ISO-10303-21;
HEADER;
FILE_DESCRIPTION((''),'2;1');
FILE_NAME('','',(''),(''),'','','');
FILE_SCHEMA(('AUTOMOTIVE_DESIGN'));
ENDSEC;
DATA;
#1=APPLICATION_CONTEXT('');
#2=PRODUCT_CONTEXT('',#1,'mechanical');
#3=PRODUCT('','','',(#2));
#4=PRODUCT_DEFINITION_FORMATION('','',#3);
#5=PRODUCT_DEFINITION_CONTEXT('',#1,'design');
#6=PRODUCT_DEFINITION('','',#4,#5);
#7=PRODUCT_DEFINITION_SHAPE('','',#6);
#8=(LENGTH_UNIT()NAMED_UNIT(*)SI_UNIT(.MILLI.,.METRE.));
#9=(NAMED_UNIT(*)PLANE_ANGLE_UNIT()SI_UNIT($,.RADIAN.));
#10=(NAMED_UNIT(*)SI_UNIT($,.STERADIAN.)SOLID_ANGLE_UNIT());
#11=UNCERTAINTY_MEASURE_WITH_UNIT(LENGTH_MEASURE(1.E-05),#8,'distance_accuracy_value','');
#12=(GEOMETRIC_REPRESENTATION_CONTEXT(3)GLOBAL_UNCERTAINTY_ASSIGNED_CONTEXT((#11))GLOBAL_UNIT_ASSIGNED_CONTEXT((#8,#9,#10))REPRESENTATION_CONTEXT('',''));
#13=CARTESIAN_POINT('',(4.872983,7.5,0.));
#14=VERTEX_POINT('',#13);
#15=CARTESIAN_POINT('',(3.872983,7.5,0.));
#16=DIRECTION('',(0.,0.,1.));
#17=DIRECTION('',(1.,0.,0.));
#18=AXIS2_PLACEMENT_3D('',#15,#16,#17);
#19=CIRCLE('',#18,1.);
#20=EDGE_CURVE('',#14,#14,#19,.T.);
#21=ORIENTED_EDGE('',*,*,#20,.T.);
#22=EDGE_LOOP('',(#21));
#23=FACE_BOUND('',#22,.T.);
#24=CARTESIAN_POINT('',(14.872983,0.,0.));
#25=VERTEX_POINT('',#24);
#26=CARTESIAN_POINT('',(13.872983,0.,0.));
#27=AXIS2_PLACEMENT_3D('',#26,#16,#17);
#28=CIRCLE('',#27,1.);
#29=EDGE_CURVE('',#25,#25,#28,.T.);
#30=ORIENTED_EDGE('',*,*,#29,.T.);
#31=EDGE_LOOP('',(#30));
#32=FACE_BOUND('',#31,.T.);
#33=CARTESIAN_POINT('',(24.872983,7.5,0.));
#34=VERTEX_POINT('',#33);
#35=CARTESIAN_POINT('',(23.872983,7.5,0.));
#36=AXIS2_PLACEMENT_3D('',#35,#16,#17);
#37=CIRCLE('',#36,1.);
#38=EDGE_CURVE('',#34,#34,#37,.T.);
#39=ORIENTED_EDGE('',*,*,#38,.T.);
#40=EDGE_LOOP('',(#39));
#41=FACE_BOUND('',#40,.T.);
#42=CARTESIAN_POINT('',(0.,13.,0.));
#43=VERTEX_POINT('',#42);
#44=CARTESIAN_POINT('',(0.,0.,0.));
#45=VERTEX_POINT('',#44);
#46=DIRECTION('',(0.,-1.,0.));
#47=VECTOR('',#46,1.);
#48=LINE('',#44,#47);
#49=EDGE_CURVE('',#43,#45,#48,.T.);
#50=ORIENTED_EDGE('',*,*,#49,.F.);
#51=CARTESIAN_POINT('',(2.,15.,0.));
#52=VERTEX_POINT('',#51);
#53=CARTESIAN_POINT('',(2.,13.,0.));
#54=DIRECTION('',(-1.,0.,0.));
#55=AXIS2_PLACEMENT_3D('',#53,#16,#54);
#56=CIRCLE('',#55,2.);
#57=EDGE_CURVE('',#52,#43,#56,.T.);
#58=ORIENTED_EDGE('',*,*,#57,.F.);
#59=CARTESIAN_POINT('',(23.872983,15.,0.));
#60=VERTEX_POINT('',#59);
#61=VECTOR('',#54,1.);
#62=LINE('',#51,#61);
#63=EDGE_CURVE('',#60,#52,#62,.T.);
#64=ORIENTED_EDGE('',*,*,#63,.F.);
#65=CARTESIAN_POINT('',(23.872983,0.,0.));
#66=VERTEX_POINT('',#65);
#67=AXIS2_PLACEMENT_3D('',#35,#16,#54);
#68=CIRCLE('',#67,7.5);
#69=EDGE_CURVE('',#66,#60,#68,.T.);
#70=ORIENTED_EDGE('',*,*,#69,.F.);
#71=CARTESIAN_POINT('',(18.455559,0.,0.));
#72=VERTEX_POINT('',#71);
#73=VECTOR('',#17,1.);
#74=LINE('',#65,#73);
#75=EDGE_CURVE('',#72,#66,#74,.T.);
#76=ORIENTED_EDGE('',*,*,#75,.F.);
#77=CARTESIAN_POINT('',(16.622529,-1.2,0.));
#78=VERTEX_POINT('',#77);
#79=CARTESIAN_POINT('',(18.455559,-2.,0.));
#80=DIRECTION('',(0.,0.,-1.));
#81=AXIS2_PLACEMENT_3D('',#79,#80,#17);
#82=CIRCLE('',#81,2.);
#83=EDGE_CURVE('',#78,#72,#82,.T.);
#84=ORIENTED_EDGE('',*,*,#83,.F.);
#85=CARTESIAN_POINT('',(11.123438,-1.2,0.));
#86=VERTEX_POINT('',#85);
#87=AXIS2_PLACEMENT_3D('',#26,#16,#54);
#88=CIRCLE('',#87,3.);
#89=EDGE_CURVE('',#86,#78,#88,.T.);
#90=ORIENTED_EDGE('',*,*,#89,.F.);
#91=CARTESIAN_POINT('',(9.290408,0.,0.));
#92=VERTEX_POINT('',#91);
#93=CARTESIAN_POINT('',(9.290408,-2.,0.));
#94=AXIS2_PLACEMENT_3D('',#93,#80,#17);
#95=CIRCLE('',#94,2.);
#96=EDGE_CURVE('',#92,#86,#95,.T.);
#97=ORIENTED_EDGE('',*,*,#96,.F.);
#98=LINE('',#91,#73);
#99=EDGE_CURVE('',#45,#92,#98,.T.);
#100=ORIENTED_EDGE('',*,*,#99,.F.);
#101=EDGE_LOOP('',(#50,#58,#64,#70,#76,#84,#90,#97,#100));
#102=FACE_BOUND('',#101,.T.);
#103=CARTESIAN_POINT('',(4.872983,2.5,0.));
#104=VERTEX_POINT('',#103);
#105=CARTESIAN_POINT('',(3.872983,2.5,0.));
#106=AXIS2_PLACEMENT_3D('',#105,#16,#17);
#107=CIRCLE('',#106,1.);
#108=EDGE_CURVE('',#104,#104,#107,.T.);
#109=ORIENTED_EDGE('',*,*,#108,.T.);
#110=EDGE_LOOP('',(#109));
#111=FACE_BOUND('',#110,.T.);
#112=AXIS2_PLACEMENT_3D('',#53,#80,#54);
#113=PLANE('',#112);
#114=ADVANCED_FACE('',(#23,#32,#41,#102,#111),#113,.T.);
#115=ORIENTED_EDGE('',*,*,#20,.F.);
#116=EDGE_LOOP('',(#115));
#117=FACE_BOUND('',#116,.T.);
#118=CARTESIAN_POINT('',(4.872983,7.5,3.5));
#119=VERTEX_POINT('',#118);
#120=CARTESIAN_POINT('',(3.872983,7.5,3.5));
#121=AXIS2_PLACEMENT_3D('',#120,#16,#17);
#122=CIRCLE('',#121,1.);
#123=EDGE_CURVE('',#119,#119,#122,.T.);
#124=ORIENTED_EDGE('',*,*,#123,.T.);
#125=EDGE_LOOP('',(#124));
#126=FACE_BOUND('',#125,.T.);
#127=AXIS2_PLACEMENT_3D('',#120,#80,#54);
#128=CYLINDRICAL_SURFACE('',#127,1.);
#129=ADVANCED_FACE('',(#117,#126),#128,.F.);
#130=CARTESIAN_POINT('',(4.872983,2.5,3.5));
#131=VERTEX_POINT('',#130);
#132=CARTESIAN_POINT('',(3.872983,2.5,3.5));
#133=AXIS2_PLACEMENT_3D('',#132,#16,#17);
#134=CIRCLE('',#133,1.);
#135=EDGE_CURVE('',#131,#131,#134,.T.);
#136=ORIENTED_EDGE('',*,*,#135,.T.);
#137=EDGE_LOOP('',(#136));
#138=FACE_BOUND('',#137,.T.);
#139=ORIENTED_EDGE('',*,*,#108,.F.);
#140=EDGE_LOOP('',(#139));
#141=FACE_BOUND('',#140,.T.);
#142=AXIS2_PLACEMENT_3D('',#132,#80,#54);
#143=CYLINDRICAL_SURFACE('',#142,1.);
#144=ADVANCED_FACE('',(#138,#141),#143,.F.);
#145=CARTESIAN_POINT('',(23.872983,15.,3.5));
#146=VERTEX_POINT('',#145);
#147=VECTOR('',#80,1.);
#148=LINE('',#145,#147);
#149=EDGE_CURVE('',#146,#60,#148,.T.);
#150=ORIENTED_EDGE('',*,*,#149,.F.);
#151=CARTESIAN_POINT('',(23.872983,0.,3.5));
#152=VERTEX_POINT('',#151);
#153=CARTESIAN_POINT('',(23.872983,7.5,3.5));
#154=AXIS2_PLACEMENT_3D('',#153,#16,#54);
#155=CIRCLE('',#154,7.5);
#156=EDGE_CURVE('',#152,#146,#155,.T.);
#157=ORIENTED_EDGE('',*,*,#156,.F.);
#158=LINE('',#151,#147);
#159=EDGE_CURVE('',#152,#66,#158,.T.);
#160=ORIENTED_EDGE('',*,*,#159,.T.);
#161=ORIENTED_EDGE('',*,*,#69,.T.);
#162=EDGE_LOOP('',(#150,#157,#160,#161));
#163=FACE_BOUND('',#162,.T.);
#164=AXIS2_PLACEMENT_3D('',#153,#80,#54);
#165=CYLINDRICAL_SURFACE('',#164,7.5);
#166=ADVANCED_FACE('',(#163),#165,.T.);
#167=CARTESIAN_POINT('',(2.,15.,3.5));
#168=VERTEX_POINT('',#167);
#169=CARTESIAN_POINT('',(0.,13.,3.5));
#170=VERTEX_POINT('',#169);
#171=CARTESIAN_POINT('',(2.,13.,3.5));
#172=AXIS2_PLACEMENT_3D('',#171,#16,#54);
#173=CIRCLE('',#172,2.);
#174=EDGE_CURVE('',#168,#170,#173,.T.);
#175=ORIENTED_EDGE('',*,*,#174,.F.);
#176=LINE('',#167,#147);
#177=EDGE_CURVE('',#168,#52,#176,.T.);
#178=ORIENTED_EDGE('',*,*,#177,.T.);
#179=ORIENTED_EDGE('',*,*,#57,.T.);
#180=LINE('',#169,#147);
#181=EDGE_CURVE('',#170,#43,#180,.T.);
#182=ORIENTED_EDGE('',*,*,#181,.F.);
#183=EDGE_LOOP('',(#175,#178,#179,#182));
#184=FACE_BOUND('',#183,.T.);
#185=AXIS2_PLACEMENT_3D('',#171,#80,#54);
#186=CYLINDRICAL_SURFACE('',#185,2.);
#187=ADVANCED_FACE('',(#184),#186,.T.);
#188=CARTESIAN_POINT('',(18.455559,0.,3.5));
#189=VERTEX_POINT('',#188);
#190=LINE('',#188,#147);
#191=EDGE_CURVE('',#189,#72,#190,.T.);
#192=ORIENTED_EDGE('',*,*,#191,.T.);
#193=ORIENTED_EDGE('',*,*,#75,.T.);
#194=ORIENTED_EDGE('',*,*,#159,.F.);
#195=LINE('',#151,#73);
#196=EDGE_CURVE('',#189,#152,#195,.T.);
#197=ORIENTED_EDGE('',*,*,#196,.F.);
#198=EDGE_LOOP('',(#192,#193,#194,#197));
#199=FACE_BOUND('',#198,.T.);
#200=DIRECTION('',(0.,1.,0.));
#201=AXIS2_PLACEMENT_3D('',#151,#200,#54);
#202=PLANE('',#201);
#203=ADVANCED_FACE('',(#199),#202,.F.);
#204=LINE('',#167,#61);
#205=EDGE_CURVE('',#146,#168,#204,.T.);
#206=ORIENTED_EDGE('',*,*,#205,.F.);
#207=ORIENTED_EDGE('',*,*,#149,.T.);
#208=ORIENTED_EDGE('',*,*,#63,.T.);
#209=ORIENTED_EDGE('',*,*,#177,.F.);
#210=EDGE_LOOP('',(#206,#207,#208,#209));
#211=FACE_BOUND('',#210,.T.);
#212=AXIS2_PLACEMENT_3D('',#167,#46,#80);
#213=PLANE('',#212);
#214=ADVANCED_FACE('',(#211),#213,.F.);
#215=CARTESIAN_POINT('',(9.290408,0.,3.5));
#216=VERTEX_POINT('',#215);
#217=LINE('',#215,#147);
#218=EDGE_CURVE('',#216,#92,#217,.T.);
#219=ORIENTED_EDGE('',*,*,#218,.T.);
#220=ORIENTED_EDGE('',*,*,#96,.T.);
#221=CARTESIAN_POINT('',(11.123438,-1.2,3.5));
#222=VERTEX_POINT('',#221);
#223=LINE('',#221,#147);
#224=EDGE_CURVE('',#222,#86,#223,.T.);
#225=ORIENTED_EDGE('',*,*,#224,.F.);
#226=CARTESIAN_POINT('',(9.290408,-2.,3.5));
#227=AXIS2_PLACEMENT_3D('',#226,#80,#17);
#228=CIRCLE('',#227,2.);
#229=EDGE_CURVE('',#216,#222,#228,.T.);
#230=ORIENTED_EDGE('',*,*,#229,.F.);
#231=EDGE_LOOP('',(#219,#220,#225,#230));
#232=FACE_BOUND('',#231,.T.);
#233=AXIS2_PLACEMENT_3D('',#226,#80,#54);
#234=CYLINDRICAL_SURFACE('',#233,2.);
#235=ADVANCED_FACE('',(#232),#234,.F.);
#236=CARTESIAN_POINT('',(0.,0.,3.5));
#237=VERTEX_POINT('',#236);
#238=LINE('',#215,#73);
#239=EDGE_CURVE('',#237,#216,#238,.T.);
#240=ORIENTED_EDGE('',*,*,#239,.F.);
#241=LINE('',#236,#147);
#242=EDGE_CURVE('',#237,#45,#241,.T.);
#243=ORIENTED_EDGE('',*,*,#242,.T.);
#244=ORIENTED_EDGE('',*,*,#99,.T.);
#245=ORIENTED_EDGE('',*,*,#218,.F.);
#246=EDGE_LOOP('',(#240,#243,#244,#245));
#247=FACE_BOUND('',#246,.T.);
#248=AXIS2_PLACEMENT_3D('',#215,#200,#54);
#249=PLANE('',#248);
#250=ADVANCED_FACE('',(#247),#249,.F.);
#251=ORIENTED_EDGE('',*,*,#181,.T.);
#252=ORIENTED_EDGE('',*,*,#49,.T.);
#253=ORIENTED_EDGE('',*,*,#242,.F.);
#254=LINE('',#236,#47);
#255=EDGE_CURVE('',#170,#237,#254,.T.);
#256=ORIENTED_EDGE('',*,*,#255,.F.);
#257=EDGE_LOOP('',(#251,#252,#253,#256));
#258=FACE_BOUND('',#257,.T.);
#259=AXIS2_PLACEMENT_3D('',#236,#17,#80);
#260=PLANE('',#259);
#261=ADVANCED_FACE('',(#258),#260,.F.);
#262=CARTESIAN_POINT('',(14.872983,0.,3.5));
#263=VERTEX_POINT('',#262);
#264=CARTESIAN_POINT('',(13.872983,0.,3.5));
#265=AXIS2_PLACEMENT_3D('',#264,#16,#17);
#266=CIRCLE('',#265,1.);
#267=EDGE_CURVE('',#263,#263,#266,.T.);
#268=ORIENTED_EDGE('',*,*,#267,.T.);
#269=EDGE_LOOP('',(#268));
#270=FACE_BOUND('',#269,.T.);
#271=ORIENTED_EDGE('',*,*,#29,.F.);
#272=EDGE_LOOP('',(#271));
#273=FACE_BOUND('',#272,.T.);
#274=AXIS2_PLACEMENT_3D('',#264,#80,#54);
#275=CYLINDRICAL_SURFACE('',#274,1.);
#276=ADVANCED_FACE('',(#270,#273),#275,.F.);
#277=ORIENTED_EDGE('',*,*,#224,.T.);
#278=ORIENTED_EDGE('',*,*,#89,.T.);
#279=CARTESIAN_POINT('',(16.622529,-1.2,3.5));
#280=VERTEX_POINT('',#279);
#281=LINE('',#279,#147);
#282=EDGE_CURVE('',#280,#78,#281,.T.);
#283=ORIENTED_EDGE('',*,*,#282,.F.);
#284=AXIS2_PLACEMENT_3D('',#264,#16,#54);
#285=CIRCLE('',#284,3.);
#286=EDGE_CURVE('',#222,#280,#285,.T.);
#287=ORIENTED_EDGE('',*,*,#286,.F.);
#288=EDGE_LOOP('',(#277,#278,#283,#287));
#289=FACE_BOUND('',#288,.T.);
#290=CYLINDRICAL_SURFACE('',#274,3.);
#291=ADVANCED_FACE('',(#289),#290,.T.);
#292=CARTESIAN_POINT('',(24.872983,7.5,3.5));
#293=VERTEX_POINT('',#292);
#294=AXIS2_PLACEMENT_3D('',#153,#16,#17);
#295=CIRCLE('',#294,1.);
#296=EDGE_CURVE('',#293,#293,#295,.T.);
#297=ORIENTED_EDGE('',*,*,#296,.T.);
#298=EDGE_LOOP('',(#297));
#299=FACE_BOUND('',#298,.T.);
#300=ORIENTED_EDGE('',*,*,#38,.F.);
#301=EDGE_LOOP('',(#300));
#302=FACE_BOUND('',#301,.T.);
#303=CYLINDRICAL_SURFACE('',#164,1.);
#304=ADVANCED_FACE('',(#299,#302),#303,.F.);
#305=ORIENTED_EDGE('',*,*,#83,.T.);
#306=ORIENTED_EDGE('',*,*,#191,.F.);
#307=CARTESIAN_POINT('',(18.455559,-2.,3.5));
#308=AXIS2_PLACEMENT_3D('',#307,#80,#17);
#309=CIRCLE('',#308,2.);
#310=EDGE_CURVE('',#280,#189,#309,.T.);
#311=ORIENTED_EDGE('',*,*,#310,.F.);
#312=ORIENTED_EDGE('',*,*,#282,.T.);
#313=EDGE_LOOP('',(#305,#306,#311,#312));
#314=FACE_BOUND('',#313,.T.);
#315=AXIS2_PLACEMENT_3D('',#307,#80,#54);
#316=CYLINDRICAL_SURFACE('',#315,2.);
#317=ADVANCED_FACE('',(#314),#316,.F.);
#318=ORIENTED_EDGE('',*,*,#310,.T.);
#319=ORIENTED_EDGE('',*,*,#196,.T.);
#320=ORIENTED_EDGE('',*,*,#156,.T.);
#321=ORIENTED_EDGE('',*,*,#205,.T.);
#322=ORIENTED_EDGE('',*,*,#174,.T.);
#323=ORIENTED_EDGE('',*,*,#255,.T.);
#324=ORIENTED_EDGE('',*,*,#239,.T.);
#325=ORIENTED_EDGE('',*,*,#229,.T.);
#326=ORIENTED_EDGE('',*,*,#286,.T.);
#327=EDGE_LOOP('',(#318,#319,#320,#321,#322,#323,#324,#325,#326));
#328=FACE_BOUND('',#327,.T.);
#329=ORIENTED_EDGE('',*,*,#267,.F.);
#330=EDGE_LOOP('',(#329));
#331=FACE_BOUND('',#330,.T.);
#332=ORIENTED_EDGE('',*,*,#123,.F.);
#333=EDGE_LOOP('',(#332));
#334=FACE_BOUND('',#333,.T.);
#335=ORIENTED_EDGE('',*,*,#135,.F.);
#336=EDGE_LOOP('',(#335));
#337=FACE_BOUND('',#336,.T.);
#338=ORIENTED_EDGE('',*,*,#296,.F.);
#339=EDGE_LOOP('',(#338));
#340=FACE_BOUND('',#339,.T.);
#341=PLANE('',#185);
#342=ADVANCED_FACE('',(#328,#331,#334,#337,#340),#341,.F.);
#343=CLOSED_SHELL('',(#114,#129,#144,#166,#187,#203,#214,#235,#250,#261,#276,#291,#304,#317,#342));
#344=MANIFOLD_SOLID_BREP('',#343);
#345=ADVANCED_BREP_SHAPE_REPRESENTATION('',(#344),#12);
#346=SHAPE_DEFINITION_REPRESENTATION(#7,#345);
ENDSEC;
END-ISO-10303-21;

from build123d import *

# Parameters (mm, degrees)
SKETCH1_R           = 1
BOSS_EXTRUDE1_DEPTH = 3.5


with BuildPart() as part:
    # Sketch1 → Boss-Extrude1 (new body)
    with BuildSketch(Plane.XY):
        with BuildLine():
            Line((0, 0), (0, 13))
            ThreePointArc((0, 13), (0.585786438, 14.414213562), (2, 15))
            Line((2, 15), (23.872983346, 15))
            ThreePointArc((23.872983346, 15), (31.372983346, 7.5), (23.872983346, 0))
            Line((23.872983346, 0), (18.455559041, 0))
            ThreePointArc((18.455559041, 0), (17.360113926, -0.326679947), (16.622528763, -1.2))
            ThreePointArc((16.622528763, -1.2), (13.872983346, -3), (11.123437929, -1.2))
            ThreePointArc((11.123437929, -1.2), (10.385852766, -0.326679947), (9.290407651, 0))
            Line((9.290407651, 0), (0, 0))
        make_face()
        with Locations((3.872983346, 7.5)):
            Circle(SKETCH1_R, mode=Mode.SUBTRACT)
        with Locations((23.872983346, 7.5)):
            Circle(SKETCH1_R, mode=Mode.SUBTRACT)
        with Locations((13.872983346, 0)):
            Circle(SKETCH1_R, mode=Mode.SUBTRACT)
        with Locations((3.872983346, 2.5)):
            Circle(SKETCH1_R, mode=Mode.SUBTRACT)
    extrude(amount=BOSS_EXTRUDE1_DEPTH)


solid = part.part
